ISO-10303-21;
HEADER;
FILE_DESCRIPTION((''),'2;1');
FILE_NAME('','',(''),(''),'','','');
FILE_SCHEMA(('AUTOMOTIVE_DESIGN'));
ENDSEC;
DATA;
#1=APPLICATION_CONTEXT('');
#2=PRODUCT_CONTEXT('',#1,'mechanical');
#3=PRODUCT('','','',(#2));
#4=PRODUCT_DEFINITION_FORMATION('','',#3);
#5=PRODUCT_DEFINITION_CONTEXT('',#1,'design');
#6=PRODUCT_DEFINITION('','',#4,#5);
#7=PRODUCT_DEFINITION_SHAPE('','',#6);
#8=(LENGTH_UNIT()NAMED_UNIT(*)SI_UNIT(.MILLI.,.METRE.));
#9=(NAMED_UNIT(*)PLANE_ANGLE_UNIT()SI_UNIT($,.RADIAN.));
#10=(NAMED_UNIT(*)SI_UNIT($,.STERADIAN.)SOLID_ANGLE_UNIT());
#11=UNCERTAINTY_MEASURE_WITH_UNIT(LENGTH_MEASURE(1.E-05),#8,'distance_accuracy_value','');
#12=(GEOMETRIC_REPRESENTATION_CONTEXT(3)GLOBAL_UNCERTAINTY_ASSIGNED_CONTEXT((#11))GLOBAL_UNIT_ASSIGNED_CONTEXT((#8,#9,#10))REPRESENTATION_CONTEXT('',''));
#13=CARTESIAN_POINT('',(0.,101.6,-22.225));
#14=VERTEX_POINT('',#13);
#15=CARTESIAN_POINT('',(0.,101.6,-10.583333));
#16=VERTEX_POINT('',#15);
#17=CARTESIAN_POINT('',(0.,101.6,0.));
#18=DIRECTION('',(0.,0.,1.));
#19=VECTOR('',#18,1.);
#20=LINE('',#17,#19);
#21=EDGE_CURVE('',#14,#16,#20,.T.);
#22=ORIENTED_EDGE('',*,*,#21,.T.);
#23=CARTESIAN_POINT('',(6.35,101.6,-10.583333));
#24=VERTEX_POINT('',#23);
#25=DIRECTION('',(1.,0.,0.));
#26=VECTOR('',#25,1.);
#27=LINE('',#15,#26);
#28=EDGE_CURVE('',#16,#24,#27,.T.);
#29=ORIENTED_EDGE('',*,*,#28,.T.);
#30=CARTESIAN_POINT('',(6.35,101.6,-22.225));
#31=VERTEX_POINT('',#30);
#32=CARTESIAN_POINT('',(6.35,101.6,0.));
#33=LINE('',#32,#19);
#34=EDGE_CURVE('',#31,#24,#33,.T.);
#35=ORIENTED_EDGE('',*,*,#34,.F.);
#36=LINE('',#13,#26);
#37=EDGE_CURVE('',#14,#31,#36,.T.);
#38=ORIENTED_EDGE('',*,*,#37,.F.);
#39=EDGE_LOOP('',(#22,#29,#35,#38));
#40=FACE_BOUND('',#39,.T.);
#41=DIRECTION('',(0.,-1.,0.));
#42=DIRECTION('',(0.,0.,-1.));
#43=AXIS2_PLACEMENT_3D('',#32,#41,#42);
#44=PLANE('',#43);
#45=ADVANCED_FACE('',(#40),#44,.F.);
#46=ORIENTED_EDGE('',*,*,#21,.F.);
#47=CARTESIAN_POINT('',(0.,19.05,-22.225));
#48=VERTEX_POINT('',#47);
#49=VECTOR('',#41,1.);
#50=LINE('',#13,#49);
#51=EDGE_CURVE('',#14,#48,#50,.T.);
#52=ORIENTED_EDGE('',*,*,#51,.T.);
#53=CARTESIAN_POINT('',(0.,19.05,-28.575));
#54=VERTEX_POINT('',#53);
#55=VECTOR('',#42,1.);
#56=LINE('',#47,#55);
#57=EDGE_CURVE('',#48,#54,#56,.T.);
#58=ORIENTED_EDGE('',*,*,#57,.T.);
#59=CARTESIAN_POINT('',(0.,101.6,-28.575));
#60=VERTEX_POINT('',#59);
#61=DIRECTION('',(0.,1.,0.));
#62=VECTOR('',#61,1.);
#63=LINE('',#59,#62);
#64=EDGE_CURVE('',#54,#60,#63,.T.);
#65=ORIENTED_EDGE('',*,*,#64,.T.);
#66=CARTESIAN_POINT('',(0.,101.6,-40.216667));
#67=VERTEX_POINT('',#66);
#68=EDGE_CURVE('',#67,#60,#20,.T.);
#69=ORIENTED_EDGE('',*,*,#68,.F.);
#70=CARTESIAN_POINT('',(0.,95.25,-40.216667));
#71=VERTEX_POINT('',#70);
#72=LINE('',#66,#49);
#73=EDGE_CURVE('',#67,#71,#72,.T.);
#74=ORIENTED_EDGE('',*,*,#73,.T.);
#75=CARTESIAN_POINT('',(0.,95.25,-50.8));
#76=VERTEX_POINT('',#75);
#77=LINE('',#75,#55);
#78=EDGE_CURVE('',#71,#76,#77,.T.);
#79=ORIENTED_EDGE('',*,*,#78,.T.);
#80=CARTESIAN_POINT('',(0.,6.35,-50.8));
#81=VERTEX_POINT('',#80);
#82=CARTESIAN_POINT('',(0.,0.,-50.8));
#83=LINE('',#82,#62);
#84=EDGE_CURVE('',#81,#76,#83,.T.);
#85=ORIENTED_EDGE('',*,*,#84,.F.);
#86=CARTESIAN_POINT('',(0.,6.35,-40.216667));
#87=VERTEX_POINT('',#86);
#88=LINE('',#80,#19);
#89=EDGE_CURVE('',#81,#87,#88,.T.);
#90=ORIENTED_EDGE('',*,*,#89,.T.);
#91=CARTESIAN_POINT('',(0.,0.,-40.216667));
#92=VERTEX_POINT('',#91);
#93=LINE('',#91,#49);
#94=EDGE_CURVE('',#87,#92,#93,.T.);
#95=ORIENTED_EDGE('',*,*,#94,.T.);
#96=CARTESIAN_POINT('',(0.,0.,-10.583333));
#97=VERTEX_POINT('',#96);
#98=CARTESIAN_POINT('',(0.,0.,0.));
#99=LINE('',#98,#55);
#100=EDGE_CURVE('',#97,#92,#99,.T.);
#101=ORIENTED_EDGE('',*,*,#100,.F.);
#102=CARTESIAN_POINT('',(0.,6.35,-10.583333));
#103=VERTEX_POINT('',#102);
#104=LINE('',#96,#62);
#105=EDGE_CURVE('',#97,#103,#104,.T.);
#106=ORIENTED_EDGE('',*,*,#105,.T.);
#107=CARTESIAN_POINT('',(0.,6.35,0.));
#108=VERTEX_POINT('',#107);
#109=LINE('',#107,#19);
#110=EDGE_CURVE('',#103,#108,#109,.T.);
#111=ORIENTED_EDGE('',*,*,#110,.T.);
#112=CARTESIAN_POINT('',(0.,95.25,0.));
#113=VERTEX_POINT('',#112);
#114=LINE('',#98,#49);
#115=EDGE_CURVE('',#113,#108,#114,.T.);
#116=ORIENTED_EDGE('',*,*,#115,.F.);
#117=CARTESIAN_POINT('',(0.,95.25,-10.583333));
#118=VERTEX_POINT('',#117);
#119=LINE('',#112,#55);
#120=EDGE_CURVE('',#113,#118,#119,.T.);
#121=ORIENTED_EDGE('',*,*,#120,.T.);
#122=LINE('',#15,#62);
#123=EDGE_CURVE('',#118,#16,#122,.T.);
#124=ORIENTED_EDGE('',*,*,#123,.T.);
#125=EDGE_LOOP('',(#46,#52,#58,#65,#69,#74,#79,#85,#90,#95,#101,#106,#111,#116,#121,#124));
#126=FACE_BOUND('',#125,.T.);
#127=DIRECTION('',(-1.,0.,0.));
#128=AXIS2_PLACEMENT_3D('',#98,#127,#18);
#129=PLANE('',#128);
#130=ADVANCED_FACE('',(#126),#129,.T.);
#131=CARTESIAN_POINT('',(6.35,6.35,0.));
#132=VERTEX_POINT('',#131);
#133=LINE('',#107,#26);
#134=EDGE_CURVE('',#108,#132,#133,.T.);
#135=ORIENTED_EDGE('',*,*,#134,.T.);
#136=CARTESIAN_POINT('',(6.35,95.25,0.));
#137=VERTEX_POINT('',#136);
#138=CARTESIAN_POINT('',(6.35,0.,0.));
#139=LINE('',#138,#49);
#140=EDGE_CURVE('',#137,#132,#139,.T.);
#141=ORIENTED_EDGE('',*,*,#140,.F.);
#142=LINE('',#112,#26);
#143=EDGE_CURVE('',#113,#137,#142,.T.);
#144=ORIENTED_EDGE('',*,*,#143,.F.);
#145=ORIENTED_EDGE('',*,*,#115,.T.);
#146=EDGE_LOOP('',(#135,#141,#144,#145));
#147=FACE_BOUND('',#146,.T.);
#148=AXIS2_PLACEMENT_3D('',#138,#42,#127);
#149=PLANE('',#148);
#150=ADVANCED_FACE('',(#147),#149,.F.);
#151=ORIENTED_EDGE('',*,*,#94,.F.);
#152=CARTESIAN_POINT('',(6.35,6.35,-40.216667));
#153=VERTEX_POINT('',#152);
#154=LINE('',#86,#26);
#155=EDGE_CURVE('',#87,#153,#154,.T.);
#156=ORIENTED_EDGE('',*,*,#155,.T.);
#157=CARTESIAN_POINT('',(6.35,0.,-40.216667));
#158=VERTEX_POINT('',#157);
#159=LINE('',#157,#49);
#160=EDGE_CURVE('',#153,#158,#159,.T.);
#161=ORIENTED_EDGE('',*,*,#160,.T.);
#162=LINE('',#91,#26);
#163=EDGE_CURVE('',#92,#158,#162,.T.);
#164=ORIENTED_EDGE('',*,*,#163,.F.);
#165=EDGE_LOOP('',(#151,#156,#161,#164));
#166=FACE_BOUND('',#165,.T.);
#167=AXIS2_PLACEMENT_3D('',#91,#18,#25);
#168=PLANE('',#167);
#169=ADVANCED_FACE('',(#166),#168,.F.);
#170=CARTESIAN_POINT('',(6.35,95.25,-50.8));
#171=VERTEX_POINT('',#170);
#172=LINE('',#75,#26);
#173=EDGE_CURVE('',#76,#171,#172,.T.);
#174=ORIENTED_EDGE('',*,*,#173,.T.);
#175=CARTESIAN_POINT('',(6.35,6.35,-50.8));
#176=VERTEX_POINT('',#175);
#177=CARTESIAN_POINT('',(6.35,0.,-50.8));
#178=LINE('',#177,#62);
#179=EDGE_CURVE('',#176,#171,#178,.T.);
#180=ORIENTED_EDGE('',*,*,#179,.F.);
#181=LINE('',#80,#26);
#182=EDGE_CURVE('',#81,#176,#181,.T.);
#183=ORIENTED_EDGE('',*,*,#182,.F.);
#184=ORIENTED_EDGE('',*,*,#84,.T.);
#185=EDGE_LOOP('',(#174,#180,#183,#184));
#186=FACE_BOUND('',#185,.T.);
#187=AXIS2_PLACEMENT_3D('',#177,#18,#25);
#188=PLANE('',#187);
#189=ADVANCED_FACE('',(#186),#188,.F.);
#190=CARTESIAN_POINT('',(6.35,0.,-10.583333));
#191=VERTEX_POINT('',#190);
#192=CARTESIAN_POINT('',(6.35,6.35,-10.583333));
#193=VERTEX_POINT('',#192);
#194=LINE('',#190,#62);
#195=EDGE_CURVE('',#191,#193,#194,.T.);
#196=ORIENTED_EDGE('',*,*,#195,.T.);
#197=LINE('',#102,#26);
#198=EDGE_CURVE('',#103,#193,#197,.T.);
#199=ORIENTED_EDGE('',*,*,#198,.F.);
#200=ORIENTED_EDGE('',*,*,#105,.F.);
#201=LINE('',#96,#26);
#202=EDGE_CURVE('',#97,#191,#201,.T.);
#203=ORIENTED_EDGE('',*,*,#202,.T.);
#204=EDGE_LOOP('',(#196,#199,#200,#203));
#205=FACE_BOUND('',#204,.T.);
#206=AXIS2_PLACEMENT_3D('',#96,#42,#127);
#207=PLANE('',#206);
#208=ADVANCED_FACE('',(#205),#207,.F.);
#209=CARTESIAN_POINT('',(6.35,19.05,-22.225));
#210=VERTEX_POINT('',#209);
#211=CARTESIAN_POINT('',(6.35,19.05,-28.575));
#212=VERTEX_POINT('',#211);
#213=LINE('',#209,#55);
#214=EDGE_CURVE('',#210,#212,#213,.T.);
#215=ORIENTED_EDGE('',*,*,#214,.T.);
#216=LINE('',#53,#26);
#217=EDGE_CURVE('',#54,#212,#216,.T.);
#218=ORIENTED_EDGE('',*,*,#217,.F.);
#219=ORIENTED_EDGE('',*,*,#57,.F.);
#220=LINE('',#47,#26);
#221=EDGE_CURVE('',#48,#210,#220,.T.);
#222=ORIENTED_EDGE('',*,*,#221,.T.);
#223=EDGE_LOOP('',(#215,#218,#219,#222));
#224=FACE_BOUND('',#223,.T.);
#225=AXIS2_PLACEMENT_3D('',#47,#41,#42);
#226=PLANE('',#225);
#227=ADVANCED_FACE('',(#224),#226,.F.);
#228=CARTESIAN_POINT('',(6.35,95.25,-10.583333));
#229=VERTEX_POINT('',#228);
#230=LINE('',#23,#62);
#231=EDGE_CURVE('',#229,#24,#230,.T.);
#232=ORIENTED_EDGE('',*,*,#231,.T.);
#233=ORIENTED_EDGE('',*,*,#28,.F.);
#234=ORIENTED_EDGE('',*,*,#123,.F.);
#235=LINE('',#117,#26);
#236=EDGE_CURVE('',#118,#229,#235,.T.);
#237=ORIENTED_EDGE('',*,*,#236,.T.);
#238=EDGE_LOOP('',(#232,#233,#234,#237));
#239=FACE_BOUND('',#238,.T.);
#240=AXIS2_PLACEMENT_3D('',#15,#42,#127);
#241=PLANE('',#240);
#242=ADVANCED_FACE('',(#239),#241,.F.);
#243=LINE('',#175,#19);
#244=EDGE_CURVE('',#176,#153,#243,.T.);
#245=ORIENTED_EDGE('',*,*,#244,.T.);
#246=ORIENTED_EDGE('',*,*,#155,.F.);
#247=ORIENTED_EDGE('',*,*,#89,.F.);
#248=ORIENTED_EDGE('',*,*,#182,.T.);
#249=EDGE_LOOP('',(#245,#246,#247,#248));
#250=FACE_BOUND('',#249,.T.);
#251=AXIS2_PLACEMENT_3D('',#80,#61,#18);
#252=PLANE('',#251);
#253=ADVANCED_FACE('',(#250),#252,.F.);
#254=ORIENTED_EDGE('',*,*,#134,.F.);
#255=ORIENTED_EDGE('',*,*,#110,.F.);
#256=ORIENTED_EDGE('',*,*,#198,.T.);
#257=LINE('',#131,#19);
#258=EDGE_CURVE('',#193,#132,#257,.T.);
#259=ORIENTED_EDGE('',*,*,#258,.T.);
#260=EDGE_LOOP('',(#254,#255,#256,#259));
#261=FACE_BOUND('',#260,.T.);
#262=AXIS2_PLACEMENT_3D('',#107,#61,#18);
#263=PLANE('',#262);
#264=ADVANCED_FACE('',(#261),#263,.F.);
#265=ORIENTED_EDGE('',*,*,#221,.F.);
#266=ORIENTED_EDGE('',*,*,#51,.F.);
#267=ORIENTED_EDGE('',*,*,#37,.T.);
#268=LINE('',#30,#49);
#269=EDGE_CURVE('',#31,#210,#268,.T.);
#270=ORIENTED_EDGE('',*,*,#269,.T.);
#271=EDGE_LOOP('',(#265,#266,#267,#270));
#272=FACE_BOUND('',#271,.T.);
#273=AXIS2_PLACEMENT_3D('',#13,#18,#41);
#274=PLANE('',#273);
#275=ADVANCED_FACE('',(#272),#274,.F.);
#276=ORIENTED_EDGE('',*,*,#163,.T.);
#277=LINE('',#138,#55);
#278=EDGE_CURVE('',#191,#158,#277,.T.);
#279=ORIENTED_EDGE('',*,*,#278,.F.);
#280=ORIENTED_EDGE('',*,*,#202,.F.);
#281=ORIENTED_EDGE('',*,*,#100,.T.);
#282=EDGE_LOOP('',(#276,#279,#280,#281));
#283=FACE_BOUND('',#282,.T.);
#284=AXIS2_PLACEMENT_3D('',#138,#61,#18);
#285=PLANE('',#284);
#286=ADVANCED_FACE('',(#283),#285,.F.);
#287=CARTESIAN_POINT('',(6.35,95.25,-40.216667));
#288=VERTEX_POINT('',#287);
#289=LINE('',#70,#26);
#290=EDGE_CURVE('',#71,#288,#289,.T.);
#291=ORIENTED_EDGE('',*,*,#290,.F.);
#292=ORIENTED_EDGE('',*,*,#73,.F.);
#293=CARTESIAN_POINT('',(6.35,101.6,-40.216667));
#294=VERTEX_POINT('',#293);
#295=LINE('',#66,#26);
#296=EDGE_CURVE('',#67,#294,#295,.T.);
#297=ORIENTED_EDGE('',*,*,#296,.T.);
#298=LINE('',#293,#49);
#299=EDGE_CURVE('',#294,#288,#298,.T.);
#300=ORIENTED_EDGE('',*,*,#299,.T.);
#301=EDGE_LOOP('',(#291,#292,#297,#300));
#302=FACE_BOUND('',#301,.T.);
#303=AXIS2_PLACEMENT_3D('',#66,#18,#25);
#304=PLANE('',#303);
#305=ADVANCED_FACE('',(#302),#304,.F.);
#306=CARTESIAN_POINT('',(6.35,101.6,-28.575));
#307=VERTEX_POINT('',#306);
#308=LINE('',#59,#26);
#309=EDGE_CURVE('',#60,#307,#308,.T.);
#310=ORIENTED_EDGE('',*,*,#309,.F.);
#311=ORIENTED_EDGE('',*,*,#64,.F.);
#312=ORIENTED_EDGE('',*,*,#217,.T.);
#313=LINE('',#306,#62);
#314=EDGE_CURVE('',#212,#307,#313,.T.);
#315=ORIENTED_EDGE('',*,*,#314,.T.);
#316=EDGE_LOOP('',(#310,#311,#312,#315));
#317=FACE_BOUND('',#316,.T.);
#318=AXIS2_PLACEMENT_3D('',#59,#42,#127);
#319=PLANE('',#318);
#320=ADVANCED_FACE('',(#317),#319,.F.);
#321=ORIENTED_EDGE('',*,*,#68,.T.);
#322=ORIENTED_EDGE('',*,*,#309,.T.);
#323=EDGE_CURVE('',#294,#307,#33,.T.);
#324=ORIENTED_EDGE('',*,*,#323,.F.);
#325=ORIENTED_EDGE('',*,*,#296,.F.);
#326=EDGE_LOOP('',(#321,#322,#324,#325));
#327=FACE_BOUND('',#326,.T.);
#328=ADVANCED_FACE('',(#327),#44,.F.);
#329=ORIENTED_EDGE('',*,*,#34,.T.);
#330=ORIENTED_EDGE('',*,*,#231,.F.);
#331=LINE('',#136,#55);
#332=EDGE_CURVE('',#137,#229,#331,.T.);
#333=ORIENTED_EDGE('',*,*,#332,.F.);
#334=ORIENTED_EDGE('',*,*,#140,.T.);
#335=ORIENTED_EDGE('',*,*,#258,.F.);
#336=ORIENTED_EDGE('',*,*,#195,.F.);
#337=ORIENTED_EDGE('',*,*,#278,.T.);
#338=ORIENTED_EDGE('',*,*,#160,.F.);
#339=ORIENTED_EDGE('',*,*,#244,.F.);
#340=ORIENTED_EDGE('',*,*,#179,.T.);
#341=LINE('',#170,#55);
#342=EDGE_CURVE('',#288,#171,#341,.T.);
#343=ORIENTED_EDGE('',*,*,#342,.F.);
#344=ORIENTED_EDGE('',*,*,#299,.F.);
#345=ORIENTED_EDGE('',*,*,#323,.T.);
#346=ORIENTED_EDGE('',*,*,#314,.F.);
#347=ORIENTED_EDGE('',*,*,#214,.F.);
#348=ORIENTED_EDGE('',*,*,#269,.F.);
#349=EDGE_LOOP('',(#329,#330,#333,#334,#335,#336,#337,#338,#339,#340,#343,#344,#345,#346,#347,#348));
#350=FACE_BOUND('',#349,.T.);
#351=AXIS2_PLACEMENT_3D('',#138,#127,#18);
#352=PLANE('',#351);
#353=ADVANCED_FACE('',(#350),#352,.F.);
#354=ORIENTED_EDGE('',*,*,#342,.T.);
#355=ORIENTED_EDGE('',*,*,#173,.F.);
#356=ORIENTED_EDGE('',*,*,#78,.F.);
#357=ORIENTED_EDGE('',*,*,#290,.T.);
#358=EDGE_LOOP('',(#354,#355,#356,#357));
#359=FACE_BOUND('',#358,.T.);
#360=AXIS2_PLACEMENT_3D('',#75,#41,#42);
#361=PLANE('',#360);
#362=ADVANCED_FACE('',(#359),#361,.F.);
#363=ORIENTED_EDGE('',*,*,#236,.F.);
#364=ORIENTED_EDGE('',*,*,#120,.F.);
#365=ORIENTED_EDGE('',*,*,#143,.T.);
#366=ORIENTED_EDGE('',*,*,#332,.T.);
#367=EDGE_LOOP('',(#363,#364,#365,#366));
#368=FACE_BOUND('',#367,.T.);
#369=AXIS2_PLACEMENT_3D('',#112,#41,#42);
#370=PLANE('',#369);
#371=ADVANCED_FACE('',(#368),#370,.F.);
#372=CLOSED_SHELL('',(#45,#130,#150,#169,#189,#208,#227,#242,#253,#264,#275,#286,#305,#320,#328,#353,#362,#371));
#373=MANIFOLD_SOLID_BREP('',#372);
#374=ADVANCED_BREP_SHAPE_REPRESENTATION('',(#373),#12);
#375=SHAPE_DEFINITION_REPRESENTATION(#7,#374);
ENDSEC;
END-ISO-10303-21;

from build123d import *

# Parameters (mm, degrees)
SKETCH1_W           = 50.8
SKETCH1_H           = 101.6
BOSS_EXTRUDE1_DEPTH = 6.35
SKETCH2_W           = 10.583333333
SKETCH2_H           = 6.35
SKETCH2_W_2         = 6.35
SKETCH2_H_2         = 82.55
CUT_EXTRUDE1_DEPTH  = 6.35


with BuildPart() as part:
    # Sketch1 → Boss-Extrude1 (new body)
    with BuildSketch(Plane(origin=(0, 0, 0), x_dir=(0, 0, -1), z_dir=(1, 0, 0))):
        with Locations((25.4, 50.8)):
            Rectangle(SKETCH1_W, SKETCH1_H)
    extrude(amount=BOSS_EXTRUDE1_DEPTH)

    # Sketch2 → Cut-Extrude1 (cut)
    with BuildSketch(Plane(origin=(6.35, 0, 0), x_dir=(0, 0, -1), z_dir=(1, 0, 0))):
        with Locations((45.508333334, 98.425)):
            Rectangle(SKETCH2_W, SKETCH2_H)
        with Locations((25.4, 60.325)):
            Rectangle(SKETCH2_W_2, SKETCH2_H_2)
        with Locations((5.291666667, 98.425)):
            Rectangle(SKETCH2_W, SKETCH2_H)
        with Locations((45.508333334, 3.175)):
            Rectangle(SKETCH2_W, SKETCH2_H)
        with Locations((5.291666667, 3.175)):
            Rectangle(SKETCH2_W, SKETCH2_H)
    extrude(amount=-CUT_EXTRUDE1_DEPTH, mode=Mode.SUBTRACT)


solid = part.part
